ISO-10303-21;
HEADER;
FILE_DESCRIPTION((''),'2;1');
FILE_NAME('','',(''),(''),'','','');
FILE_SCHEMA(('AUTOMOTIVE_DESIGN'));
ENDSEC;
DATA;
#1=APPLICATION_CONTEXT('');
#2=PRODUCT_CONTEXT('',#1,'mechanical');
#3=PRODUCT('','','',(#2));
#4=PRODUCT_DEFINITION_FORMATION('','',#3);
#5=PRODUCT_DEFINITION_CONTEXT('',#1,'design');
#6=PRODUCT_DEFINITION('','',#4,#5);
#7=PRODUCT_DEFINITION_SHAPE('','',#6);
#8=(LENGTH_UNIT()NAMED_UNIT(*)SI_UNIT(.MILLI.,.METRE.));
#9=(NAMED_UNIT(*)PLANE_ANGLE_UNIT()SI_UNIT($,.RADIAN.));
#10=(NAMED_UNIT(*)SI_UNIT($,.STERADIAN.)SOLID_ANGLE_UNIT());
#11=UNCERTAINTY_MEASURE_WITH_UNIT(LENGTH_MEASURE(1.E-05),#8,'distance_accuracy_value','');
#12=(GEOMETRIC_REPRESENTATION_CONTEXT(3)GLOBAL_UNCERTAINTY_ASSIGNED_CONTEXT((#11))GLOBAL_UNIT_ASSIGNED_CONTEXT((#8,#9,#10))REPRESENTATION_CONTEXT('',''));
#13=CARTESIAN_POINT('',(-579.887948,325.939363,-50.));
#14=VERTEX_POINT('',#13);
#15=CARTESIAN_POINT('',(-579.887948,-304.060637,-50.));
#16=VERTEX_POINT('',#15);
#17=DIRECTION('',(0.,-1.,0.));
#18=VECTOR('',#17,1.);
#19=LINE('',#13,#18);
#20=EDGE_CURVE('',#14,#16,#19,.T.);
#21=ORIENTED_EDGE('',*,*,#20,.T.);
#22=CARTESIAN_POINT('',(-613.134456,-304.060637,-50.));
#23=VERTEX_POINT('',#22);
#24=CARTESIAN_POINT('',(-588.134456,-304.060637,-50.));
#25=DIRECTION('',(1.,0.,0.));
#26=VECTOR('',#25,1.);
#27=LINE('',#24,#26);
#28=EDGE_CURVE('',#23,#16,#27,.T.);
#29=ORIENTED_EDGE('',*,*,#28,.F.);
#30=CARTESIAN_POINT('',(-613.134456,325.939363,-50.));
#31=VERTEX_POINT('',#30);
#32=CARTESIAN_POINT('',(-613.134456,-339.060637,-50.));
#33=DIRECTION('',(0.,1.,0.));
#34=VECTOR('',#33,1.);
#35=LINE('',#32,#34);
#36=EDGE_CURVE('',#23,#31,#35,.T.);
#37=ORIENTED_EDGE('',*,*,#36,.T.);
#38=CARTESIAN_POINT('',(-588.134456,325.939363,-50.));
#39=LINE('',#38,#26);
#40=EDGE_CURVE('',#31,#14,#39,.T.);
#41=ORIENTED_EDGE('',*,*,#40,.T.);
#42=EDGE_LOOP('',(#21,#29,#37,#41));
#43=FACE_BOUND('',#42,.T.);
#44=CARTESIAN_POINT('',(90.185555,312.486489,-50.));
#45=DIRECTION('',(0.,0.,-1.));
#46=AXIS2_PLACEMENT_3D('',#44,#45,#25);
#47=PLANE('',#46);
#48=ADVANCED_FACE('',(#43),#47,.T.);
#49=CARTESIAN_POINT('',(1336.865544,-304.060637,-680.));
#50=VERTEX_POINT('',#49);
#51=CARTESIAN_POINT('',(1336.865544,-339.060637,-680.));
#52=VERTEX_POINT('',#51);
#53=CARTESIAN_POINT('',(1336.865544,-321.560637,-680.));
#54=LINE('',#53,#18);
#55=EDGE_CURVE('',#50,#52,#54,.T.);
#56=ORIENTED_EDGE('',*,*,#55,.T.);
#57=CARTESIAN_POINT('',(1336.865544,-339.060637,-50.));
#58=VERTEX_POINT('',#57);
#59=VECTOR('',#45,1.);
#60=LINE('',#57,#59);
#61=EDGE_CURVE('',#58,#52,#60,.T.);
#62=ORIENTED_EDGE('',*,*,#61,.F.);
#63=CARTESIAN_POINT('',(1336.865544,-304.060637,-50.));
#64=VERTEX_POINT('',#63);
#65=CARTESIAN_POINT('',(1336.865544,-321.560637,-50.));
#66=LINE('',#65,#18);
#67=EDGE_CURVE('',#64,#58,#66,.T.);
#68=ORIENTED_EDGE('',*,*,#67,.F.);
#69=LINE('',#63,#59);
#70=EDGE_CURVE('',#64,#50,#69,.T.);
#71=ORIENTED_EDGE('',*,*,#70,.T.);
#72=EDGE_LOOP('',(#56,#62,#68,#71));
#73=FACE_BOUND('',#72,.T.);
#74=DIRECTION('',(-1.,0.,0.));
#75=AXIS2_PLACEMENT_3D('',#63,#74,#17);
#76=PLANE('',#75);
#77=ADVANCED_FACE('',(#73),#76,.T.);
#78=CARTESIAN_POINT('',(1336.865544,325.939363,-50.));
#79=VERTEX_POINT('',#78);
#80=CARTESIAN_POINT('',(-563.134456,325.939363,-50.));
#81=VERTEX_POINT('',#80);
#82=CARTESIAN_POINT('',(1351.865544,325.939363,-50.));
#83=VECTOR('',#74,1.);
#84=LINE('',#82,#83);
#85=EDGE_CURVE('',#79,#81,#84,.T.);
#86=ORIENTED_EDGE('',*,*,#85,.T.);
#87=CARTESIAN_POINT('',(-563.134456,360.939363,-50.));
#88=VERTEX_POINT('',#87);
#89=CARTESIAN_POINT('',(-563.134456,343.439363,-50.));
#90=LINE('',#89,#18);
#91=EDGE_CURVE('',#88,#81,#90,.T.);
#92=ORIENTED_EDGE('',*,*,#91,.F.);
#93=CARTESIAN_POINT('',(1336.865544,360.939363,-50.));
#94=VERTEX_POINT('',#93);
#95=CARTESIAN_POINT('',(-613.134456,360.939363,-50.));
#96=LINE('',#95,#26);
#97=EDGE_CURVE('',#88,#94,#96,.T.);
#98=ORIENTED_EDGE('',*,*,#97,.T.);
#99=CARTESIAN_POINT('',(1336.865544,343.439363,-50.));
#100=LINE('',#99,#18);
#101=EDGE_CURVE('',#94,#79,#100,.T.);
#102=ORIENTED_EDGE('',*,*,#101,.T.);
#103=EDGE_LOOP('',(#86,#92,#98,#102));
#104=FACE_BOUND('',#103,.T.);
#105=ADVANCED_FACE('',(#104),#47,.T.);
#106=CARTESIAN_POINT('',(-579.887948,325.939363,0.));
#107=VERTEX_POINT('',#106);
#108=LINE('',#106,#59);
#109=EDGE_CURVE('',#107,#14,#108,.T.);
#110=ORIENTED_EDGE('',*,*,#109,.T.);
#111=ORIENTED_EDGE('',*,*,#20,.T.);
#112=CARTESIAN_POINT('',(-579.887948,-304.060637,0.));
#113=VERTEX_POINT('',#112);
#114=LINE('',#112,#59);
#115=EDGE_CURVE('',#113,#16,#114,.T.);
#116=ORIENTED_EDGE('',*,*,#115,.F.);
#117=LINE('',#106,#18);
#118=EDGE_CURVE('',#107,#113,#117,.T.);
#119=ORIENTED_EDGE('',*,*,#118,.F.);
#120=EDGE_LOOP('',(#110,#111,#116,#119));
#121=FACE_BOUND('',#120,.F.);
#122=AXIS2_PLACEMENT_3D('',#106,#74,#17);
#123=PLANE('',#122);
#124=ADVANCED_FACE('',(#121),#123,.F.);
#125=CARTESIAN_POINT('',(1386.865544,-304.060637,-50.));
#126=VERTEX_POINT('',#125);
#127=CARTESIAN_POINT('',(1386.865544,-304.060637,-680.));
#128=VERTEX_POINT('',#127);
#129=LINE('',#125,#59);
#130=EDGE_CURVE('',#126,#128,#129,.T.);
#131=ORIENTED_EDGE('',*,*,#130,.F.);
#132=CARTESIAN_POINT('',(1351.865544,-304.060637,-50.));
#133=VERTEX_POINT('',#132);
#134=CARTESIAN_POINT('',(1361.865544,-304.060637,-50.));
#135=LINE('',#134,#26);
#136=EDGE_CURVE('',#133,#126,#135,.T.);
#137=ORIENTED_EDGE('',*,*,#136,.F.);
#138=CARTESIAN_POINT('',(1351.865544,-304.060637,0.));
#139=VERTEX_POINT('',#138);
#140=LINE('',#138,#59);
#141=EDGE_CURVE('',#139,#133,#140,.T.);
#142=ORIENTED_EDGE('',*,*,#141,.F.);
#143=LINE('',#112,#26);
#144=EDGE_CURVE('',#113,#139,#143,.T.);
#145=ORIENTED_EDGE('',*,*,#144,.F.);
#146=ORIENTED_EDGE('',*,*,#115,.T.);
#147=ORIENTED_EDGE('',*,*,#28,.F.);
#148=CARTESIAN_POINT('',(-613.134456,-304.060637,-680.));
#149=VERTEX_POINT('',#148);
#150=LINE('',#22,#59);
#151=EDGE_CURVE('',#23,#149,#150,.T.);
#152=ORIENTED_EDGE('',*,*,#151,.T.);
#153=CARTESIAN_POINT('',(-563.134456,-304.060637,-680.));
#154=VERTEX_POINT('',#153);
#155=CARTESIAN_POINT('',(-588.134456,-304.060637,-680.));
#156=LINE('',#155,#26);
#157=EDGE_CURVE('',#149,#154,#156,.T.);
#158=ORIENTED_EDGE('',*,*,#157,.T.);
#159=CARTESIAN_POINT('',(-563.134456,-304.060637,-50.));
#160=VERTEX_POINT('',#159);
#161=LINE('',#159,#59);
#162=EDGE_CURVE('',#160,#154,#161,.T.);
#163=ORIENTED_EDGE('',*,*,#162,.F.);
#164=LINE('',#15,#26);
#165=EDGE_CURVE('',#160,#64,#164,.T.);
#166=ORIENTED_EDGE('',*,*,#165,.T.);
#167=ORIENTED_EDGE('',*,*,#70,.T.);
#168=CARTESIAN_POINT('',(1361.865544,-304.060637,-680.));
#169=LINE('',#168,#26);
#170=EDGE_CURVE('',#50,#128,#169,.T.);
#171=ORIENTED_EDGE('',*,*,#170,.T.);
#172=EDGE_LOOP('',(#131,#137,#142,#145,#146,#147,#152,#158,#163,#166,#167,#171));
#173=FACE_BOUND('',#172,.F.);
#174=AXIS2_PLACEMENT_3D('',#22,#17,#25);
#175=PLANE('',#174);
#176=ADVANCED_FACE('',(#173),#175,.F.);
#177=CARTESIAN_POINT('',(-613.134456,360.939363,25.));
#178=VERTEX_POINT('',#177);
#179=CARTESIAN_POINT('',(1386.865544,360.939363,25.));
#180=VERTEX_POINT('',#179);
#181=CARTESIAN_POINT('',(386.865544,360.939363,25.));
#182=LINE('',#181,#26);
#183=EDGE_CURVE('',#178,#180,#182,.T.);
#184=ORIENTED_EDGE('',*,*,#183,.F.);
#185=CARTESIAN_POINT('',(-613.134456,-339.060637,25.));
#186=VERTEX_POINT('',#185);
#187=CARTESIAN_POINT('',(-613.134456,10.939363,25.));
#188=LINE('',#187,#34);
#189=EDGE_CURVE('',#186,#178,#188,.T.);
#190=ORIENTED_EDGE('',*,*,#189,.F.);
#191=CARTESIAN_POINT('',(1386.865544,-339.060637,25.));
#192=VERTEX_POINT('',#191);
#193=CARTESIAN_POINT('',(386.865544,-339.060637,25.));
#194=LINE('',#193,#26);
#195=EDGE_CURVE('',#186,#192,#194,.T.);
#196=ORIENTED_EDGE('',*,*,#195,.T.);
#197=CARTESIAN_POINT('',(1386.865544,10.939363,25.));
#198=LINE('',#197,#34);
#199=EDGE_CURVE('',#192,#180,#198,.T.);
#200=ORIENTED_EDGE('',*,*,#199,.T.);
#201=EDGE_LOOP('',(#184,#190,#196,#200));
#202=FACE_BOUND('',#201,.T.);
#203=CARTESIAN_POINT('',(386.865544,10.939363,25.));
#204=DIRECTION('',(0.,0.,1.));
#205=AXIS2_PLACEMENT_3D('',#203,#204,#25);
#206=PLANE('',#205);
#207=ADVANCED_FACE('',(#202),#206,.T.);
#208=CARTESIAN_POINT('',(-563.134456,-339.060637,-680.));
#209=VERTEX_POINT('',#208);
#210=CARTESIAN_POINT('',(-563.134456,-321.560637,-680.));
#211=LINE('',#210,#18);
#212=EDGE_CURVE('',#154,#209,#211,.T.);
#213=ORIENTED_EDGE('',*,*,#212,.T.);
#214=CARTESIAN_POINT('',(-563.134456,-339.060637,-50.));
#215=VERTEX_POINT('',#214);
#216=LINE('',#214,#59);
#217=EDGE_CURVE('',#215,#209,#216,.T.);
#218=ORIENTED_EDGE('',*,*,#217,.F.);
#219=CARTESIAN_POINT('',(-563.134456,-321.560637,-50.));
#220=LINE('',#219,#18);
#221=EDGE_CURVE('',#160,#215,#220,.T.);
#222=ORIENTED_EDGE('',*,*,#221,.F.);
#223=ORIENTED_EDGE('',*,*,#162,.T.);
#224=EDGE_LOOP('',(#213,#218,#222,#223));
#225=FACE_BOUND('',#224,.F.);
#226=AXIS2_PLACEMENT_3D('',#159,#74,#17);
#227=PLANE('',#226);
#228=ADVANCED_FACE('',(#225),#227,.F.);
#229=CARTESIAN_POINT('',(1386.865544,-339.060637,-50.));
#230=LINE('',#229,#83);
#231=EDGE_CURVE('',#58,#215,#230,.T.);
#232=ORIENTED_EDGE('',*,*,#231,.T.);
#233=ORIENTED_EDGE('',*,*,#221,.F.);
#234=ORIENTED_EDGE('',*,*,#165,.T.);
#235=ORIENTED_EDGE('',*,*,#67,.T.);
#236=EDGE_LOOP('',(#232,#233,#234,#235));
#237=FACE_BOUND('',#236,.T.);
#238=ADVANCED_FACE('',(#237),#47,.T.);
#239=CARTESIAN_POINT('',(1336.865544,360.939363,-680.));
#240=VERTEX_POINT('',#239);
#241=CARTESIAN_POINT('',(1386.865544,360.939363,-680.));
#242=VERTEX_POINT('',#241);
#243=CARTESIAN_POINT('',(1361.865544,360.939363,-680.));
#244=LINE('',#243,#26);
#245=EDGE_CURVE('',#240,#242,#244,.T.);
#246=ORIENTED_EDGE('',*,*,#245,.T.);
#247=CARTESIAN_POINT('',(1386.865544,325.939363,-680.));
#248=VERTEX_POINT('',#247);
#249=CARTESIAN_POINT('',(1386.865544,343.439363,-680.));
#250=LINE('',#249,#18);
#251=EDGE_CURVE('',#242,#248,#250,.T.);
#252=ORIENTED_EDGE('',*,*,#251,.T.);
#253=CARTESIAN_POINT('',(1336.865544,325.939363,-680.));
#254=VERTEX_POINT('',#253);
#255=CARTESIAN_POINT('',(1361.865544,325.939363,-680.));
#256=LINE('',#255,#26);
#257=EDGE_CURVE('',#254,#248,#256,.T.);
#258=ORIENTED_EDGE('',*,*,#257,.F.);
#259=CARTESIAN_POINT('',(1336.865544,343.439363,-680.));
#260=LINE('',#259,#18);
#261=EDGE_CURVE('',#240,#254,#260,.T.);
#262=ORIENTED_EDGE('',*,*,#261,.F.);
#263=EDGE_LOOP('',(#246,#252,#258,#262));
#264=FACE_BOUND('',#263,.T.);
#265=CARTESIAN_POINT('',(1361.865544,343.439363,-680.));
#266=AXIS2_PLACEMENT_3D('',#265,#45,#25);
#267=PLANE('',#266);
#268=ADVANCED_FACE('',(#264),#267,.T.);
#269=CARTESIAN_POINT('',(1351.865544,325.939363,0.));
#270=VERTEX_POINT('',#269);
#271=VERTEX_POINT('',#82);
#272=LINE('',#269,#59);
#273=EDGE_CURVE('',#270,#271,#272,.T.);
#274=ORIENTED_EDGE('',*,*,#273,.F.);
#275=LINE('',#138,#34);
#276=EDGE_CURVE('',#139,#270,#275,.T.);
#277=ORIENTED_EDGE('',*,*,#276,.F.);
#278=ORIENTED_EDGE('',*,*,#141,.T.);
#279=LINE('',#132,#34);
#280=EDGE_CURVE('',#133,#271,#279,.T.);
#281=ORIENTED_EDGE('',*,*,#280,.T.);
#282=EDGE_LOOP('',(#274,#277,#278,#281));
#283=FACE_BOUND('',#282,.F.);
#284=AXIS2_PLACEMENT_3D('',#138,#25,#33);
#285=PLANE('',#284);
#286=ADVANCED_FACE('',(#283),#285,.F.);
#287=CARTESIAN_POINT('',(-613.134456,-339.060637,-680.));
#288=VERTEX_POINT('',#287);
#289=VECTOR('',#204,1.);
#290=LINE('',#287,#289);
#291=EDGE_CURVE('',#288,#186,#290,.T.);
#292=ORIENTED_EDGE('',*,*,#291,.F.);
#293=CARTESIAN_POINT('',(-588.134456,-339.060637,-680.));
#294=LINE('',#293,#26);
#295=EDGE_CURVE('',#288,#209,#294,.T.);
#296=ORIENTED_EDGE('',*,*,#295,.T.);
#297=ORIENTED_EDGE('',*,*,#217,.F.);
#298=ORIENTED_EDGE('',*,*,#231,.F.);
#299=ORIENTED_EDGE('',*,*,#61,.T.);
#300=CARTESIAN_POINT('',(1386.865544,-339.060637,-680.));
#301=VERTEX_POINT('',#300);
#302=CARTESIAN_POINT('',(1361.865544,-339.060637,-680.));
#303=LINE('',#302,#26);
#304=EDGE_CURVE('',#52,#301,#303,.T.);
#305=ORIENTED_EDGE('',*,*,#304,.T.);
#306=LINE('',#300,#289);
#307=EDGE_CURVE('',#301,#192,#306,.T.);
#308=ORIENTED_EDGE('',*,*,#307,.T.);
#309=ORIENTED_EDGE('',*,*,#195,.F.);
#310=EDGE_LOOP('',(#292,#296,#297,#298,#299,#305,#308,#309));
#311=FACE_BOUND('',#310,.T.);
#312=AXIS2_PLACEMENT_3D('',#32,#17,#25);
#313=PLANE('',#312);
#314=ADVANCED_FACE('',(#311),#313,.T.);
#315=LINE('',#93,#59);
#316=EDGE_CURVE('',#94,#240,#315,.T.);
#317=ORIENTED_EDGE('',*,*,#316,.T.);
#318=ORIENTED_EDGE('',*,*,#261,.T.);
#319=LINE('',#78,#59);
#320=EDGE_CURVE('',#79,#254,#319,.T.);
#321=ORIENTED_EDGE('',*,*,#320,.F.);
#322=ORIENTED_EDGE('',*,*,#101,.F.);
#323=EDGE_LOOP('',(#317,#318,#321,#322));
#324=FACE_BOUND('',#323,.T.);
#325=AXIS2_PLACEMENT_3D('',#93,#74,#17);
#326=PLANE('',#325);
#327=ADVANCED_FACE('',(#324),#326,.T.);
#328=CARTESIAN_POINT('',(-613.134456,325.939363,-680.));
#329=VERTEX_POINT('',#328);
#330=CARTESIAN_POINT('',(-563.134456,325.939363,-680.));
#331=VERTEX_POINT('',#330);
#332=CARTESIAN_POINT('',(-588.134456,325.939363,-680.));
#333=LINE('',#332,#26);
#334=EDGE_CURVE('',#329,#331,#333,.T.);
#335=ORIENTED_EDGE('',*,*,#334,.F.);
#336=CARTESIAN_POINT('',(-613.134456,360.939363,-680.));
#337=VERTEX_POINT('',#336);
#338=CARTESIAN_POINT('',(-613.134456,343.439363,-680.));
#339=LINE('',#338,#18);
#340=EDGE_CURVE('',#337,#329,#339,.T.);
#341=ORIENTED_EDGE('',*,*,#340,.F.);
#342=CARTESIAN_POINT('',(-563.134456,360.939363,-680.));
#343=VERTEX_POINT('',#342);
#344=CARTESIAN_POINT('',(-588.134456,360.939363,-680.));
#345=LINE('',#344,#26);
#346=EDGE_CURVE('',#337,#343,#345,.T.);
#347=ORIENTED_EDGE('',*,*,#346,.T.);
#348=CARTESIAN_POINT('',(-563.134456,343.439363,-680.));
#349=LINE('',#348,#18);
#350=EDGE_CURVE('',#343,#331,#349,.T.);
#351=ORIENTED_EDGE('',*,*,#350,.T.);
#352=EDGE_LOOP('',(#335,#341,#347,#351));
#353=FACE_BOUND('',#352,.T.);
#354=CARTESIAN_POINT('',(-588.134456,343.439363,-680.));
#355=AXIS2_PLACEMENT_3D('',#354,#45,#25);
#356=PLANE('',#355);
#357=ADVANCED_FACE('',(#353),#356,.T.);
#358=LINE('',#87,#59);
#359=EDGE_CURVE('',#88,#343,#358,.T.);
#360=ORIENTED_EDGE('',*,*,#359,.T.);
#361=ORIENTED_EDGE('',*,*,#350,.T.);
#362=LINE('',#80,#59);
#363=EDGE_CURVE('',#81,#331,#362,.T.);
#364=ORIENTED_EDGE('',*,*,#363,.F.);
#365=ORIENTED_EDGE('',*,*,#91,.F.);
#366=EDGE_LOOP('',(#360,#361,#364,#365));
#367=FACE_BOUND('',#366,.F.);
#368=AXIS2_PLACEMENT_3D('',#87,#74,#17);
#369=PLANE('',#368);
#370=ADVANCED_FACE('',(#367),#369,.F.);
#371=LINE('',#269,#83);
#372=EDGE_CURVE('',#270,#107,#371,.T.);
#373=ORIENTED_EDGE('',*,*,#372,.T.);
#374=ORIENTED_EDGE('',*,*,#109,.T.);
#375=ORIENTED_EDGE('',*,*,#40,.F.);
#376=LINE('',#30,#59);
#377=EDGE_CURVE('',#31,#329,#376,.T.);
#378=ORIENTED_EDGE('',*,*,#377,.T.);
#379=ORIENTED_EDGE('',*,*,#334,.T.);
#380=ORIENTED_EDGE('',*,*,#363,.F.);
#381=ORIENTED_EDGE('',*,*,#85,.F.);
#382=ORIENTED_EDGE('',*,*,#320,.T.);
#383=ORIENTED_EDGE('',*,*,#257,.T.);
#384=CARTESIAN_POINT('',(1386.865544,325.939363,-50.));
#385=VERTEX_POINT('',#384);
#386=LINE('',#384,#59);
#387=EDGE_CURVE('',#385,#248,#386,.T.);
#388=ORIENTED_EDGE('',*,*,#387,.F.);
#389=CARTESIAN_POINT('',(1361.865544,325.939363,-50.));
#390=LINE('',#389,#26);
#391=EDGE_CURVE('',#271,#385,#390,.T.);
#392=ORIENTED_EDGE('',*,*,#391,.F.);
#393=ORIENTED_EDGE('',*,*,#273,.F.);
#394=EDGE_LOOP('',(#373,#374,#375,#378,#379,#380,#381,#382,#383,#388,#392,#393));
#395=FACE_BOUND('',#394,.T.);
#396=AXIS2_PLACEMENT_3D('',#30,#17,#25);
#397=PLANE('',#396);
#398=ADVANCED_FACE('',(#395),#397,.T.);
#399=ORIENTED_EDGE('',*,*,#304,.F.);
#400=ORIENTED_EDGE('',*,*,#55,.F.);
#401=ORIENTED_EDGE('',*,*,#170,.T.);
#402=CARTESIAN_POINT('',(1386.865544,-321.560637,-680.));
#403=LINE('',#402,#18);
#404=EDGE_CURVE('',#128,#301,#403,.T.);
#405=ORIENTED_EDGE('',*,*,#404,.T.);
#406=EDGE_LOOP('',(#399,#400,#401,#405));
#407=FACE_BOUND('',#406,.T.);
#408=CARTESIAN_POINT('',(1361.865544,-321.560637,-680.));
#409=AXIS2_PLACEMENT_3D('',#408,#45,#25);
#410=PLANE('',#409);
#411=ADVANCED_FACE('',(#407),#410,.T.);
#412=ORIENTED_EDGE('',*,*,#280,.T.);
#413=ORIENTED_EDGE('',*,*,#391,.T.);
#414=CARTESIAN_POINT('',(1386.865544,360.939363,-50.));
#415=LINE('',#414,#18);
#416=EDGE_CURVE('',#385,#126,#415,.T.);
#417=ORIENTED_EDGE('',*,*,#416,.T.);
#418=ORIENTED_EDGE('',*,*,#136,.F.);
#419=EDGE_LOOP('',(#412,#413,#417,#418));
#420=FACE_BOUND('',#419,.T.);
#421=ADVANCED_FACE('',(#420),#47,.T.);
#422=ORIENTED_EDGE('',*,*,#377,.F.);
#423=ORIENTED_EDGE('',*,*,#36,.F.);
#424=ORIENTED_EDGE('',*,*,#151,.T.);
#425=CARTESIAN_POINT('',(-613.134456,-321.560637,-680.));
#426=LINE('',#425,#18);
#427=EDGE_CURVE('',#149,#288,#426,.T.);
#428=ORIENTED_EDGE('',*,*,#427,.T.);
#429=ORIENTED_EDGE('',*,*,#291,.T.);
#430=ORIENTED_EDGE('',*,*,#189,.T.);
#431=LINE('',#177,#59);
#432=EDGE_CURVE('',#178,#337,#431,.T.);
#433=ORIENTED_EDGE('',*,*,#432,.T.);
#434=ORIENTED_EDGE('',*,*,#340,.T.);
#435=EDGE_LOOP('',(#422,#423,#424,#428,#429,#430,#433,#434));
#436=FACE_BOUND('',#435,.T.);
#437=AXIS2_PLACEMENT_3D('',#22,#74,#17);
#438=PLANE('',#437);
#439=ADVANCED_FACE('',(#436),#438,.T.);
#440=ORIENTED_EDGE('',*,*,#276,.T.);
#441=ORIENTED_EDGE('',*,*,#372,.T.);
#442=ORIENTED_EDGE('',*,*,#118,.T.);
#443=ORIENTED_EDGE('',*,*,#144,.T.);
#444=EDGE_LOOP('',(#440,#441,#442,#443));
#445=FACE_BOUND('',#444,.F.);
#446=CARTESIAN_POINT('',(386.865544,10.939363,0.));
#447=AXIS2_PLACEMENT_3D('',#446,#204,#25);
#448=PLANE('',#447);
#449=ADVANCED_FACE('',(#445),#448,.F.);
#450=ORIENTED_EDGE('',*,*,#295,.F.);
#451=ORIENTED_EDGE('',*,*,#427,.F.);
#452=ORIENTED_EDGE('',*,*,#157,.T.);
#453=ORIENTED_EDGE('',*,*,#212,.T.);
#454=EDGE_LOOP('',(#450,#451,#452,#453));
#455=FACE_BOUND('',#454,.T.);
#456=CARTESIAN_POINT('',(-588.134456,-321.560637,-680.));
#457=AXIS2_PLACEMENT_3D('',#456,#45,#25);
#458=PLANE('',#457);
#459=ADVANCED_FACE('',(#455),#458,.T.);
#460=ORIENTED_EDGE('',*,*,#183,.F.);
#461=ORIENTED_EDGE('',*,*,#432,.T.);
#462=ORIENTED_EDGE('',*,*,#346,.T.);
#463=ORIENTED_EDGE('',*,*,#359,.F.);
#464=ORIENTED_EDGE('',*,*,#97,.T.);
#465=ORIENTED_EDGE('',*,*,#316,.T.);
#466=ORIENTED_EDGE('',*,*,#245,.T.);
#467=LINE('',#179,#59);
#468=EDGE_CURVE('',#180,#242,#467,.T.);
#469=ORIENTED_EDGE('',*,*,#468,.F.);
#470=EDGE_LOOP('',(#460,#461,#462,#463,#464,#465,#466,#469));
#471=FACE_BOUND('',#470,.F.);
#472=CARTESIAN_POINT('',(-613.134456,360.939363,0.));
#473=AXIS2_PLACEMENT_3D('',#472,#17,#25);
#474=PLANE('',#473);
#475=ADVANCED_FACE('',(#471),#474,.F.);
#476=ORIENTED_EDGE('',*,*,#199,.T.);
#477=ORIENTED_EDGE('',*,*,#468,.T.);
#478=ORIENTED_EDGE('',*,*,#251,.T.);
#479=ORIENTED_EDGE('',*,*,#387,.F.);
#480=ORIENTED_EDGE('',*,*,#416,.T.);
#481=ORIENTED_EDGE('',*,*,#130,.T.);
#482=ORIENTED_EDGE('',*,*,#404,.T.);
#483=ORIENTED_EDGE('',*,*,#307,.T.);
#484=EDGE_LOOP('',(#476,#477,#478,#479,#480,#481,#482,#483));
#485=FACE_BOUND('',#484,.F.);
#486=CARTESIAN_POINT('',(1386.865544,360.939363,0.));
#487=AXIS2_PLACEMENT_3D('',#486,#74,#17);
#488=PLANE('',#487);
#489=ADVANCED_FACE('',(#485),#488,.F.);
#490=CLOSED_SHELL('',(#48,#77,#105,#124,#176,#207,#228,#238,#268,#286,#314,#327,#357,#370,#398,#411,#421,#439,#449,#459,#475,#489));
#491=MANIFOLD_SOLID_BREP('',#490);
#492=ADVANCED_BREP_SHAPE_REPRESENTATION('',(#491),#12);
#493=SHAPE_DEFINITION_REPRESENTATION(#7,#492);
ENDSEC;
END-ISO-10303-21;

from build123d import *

# Parameters (mm, degrees)
F0_W     = 2000
F0_H     = 700
F1_DEPTH = 25
F3_DEPTH = 50
F5_W     = 50
F5_H     = 35
F6_DEPTH = 630


with BuildPart() as f1:
    # F0 (on Top) → F1 (new body)
    with BuildSketch(Plane.XY):
        with Locations((386.865544, 10.939363)):
            Rectangle(F0_W, F0_H)
    extrude(amount=F1_DEPTH)

    # F2 (on face) → F3 (join)
    with BuildSketch(Plane(origin=(0, 0, 0), x_dir=(1, 0, 0), z_dir=(0, 0, -1))):
        Polygon((-613.134456, -360.939363), (1052.856326, -360.939363), (1052.856326, -325.939363), (-579.887948, -325.939363), (-579.887948, 0), (-613.134456, -10.939363), align=None)
        Polygon((1052.856326, -325.939363), (1052.856326, -360.939363), (1386.865544, -360.939363), (1386.865544, -10.939363), (1351.865544, -10.939363), (1351.865544, -325.939363), align=None)
        Polygon((1351.865544, -10.939363), (1386.865544, -10.939363), (1386.865544, 339.060637), (1052.856326, 339.060637), (1052.856326, 304.060637), (1351.865544, 304.060637), align=None)
        Polygon((-613.134456, 339.060637), (-613.134456, -10.939363), (-579.887948, 0), (-579.887948, 304.060637), (1052.856326, 304.060637), (1052.856326, 339.060637), align=None)
    extrude(amount=F3_DEPTH)

    # F5 (on face) → F6 (join)
    with BuildSketch(Plane(origin=(0, 0, -50), x_dir=(1, 0, 0), z_dir=(0, 0, -1))):
        with Locations((-588.134456, 321.560637)):
            Rectangle(F5_W, F5_H)
        with Locations((-588.134456, -343.439363)):
            Rectangle(F5_W, F5_H)
        with Locations((1361.865544, -343.439363)):
            Rectangle(F5_W, F5_H)
        with Locations((1361.865544, 321.560637)):
            Rectangle(F5_W, F5_H)
    extrude(amount=F6_DEPTH)


solid = f1.part
